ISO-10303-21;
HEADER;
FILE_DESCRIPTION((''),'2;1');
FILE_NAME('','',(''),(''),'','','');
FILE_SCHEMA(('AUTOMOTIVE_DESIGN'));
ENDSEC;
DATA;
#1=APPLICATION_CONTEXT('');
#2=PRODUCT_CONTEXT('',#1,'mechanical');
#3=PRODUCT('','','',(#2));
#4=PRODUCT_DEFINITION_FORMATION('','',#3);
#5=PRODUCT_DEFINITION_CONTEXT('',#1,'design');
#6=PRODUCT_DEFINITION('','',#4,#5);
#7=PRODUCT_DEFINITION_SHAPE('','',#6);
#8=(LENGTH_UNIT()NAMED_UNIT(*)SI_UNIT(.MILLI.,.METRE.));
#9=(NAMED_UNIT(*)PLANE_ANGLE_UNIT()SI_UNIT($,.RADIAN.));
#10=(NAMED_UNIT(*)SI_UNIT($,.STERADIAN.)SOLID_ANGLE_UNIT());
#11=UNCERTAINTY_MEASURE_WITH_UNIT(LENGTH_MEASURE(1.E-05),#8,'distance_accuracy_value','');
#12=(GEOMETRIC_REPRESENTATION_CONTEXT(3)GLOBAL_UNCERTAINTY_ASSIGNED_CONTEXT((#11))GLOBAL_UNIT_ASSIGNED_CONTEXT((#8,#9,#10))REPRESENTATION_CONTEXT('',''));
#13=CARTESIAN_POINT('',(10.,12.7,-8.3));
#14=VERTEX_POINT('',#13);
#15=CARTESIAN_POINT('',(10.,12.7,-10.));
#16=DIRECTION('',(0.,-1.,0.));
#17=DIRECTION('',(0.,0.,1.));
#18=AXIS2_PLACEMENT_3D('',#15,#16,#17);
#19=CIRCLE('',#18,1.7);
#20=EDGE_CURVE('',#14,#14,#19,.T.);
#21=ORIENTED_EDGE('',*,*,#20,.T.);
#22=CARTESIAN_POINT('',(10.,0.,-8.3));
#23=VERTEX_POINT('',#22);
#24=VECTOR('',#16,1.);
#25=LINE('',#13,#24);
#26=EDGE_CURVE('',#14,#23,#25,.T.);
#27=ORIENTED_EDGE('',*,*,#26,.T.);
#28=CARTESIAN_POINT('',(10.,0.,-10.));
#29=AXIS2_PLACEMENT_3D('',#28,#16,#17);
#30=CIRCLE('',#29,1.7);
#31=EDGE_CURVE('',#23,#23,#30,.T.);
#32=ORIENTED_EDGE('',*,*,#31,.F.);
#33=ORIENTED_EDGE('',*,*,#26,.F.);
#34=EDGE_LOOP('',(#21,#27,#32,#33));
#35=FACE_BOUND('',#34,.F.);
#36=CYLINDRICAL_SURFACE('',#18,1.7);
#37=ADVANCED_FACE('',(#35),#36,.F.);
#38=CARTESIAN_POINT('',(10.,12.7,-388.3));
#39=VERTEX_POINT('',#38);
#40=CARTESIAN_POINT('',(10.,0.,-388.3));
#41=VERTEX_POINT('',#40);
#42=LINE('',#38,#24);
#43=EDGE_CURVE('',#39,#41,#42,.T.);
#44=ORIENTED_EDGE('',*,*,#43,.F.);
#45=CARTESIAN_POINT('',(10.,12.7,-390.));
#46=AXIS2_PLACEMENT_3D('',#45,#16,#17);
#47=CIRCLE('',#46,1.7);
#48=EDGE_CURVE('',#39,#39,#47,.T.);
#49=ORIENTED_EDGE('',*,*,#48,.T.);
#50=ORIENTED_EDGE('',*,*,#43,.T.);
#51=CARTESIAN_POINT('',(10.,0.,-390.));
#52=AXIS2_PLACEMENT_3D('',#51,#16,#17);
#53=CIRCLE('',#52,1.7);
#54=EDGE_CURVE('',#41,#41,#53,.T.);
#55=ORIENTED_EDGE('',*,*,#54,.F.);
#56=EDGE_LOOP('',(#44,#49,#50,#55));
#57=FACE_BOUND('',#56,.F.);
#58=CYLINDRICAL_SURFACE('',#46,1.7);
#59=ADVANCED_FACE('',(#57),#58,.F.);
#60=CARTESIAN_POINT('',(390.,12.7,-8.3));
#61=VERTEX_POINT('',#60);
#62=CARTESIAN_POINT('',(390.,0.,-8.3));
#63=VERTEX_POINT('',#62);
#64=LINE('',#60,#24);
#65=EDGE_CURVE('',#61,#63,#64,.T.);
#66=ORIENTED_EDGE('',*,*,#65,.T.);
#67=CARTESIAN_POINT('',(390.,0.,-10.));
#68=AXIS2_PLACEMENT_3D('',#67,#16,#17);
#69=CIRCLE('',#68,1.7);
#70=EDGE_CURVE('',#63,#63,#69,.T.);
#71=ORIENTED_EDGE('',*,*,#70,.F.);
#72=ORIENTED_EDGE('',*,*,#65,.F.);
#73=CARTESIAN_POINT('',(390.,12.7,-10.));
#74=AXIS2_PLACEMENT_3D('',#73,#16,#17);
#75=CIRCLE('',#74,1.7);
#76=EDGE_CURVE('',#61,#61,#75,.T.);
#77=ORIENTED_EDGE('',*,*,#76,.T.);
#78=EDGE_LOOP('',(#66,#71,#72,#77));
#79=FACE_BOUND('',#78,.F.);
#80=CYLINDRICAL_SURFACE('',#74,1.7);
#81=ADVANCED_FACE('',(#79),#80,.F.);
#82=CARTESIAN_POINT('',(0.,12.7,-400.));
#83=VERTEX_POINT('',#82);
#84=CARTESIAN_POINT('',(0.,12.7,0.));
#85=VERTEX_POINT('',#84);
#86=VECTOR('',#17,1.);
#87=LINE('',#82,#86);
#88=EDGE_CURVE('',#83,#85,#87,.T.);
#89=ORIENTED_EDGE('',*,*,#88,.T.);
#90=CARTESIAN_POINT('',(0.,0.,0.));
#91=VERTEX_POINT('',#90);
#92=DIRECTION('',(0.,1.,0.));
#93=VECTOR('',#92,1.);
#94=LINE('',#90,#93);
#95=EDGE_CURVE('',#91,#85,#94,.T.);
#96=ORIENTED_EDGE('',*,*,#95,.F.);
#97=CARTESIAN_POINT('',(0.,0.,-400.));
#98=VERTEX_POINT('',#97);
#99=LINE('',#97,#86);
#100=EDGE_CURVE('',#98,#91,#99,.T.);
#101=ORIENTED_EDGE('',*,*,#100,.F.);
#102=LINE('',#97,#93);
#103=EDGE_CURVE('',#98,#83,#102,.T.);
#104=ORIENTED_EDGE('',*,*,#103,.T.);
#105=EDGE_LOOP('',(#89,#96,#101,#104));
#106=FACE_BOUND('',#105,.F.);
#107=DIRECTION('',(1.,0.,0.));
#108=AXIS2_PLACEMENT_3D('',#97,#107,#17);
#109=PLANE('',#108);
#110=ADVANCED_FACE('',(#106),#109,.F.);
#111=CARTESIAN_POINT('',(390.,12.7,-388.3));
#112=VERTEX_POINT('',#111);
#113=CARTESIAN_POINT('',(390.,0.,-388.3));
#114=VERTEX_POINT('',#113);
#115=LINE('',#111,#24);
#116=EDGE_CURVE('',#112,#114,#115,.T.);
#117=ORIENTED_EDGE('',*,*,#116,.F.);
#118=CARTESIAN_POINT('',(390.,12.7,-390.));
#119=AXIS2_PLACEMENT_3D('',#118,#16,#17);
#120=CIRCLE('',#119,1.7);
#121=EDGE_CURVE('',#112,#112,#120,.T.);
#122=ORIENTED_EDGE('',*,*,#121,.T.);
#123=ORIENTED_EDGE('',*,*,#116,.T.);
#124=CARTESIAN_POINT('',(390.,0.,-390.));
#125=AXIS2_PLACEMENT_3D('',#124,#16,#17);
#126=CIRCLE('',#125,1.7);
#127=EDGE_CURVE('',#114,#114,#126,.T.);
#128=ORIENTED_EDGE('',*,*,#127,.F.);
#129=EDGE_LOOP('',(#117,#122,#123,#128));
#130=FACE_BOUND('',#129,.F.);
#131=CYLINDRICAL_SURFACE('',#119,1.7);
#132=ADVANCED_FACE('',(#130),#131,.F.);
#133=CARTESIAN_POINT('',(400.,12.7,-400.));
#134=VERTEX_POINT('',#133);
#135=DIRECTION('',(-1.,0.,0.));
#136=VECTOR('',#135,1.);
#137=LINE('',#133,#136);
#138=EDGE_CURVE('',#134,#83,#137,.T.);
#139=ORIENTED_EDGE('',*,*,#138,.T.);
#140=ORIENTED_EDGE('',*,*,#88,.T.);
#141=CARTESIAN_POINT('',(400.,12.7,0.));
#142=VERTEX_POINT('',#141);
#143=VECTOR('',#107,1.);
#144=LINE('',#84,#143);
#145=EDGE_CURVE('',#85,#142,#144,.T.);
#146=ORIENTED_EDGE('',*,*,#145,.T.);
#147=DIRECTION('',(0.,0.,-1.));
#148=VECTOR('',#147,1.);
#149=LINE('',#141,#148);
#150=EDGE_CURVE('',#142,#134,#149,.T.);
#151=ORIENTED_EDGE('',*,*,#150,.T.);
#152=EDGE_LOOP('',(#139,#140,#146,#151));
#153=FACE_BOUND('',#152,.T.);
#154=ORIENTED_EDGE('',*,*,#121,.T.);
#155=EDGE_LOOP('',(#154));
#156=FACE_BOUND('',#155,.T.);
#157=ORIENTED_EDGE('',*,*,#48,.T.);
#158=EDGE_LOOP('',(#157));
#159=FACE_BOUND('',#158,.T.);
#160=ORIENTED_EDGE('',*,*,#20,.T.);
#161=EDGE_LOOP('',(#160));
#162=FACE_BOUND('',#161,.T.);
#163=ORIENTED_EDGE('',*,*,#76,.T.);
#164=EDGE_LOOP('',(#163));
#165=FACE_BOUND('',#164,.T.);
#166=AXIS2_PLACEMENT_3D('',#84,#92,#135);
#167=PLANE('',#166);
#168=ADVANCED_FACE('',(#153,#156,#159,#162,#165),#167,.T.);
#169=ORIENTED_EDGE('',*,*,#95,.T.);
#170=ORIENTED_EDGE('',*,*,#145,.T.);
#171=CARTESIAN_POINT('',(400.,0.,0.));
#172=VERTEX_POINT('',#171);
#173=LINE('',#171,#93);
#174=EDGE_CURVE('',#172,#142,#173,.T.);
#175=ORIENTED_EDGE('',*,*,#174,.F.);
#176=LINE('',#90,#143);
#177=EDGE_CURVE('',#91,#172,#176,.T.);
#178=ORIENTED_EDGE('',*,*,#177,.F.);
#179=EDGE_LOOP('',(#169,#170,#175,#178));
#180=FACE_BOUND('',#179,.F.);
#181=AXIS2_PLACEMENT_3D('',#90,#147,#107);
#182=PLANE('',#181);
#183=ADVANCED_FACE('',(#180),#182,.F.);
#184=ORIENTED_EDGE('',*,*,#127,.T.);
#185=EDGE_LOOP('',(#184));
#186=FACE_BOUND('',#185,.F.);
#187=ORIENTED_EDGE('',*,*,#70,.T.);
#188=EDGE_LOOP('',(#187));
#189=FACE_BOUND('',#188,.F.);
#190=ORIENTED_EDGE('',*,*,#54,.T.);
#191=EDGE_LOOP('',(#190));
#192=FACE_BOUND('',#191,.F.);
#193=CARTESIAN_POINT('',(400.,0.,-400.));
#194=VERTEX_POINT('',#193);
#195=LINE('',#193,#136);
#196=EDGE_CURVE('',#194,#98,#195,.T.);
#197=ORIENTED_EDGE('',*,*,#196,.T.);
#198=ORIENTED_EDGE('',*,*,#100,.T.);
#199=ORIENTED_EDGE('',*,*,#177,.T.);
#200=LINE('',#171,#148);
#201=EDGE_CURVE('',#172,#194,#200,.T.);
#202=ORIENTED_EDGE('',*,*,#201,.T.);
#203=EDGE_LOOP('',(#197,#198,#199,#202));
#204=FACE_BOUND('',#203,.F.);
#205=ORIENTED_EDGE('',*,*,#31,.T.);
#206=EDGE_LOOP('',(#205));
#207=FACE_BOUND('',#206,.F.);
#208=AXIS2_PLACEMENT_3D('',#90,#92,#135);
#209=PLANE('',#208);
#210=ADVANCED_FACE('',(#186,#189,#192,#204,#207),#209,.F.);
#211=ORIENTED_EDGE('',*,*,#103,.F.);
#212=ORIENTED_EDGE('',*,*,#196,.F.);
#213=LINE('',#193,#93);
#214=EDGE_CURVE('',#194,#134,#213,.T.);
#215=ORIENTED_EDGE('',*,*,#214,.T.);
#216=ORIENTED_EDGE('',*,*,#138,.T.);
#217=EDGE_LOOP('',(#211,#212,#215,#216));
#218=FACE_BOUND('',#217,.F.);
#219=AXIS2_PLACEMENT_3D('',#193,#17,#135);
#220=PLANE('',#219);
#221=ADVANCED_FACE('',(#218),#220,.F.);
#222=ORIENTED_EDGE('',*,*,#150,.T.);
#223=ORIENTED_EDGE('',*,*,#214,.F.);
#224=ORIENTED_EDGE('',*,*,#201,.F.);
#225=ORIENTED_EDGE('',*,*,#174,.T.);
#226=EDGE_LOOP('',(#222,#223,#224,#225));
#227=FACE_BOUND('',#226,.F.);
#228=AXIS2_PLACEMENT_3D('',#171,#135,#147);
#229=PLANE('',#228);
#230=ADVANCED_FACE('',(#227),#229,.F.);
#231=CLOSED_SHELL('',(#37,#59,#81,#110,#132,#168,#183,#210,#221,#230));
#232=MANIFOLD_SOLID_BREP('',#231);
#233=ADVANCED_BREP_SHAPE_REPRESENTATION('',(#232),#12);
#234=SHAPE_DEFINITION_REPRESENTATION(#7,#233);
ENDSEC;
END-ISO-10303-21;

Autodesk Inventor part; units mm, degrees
ref_plane "YZ Plane" through (0, 0, 0) normal (1, 0, 0) x (0, 1, 0)
ref_plane "XZ Plane" through (0, 0, 0) normal (0, 1, 0) x (-1, 0, 0)
ref_plane "XY Plane" through (0, 0, 0) normal (0, 0, 1) x (1, 0, 0)
sketch "Sketch1" plane through (0, 0, 0) normal (0, 1, 0) x (-1, 0, 0)
  point P0 (0, 0)
sketch "Sketch2" plane through (0, 0, 0) normal (0, 1, 0) x (-1, 0, 0)
  line L0 (0, 0) -> (-400, 0)
  line L1 (-400, 0) -> (-400, -400)
  line L2 (-400, -400) -> (0, -400)
  line L3 (0, -400) -> (0, 0)
  dimension "d0" = 400
  dimension "d1" = 400
extrude "Extrusion1" add sketch "Sketch2" along normal blind 12.7
sketch "Sketch3" plane through (0, 12.7, 0) normal (0, 1, 0) x (1, 0, 0)
  line L0 (400, 0) -> (400, 400) projected
  line L1 (400, 400) -> (0, 400) projected
  line L2 (0, 400) -> (0, 0) projected
  line L3 (0, 0) -> (400, 0) projected
  line L4 (10, 390) -> (390, 390)
  line L5 (390, 390) -> (390, 10)
  line L6 (390, 10) -> (10, 10)
  line L7 (10, 10) -> (10, 390)
  dimension "d4" = 10
hole "Hole1" at (10, 12.7, -390) at (10, 12.7, -10) at (390, 12.7, -390) at (390, 12.7, -10) direction (0, -1, 0) diameter 3.4 end through all clearance for "Countersunk Flat Head Screw DIN EN ISO 2009" size "M3" standard "DIN"
equation "\"d0\" = base_x_dim"
equation "\"d1\" = base_y_dim"
equation "\"d2\" = base_thickness"
equation "\"d4\" = 0.5 * extrusion_dim"
equation "\"base_y_dim\" = 400"
equation "\"base_x_dim\" = 400"
equation "\"base_thickness\" = 12.7"
equation "\"top_sheet_thickness\" = 6.35"
equation "\"extrusion_dim\" = 20"
properties part number "Base" material "Wood (Birch)"
